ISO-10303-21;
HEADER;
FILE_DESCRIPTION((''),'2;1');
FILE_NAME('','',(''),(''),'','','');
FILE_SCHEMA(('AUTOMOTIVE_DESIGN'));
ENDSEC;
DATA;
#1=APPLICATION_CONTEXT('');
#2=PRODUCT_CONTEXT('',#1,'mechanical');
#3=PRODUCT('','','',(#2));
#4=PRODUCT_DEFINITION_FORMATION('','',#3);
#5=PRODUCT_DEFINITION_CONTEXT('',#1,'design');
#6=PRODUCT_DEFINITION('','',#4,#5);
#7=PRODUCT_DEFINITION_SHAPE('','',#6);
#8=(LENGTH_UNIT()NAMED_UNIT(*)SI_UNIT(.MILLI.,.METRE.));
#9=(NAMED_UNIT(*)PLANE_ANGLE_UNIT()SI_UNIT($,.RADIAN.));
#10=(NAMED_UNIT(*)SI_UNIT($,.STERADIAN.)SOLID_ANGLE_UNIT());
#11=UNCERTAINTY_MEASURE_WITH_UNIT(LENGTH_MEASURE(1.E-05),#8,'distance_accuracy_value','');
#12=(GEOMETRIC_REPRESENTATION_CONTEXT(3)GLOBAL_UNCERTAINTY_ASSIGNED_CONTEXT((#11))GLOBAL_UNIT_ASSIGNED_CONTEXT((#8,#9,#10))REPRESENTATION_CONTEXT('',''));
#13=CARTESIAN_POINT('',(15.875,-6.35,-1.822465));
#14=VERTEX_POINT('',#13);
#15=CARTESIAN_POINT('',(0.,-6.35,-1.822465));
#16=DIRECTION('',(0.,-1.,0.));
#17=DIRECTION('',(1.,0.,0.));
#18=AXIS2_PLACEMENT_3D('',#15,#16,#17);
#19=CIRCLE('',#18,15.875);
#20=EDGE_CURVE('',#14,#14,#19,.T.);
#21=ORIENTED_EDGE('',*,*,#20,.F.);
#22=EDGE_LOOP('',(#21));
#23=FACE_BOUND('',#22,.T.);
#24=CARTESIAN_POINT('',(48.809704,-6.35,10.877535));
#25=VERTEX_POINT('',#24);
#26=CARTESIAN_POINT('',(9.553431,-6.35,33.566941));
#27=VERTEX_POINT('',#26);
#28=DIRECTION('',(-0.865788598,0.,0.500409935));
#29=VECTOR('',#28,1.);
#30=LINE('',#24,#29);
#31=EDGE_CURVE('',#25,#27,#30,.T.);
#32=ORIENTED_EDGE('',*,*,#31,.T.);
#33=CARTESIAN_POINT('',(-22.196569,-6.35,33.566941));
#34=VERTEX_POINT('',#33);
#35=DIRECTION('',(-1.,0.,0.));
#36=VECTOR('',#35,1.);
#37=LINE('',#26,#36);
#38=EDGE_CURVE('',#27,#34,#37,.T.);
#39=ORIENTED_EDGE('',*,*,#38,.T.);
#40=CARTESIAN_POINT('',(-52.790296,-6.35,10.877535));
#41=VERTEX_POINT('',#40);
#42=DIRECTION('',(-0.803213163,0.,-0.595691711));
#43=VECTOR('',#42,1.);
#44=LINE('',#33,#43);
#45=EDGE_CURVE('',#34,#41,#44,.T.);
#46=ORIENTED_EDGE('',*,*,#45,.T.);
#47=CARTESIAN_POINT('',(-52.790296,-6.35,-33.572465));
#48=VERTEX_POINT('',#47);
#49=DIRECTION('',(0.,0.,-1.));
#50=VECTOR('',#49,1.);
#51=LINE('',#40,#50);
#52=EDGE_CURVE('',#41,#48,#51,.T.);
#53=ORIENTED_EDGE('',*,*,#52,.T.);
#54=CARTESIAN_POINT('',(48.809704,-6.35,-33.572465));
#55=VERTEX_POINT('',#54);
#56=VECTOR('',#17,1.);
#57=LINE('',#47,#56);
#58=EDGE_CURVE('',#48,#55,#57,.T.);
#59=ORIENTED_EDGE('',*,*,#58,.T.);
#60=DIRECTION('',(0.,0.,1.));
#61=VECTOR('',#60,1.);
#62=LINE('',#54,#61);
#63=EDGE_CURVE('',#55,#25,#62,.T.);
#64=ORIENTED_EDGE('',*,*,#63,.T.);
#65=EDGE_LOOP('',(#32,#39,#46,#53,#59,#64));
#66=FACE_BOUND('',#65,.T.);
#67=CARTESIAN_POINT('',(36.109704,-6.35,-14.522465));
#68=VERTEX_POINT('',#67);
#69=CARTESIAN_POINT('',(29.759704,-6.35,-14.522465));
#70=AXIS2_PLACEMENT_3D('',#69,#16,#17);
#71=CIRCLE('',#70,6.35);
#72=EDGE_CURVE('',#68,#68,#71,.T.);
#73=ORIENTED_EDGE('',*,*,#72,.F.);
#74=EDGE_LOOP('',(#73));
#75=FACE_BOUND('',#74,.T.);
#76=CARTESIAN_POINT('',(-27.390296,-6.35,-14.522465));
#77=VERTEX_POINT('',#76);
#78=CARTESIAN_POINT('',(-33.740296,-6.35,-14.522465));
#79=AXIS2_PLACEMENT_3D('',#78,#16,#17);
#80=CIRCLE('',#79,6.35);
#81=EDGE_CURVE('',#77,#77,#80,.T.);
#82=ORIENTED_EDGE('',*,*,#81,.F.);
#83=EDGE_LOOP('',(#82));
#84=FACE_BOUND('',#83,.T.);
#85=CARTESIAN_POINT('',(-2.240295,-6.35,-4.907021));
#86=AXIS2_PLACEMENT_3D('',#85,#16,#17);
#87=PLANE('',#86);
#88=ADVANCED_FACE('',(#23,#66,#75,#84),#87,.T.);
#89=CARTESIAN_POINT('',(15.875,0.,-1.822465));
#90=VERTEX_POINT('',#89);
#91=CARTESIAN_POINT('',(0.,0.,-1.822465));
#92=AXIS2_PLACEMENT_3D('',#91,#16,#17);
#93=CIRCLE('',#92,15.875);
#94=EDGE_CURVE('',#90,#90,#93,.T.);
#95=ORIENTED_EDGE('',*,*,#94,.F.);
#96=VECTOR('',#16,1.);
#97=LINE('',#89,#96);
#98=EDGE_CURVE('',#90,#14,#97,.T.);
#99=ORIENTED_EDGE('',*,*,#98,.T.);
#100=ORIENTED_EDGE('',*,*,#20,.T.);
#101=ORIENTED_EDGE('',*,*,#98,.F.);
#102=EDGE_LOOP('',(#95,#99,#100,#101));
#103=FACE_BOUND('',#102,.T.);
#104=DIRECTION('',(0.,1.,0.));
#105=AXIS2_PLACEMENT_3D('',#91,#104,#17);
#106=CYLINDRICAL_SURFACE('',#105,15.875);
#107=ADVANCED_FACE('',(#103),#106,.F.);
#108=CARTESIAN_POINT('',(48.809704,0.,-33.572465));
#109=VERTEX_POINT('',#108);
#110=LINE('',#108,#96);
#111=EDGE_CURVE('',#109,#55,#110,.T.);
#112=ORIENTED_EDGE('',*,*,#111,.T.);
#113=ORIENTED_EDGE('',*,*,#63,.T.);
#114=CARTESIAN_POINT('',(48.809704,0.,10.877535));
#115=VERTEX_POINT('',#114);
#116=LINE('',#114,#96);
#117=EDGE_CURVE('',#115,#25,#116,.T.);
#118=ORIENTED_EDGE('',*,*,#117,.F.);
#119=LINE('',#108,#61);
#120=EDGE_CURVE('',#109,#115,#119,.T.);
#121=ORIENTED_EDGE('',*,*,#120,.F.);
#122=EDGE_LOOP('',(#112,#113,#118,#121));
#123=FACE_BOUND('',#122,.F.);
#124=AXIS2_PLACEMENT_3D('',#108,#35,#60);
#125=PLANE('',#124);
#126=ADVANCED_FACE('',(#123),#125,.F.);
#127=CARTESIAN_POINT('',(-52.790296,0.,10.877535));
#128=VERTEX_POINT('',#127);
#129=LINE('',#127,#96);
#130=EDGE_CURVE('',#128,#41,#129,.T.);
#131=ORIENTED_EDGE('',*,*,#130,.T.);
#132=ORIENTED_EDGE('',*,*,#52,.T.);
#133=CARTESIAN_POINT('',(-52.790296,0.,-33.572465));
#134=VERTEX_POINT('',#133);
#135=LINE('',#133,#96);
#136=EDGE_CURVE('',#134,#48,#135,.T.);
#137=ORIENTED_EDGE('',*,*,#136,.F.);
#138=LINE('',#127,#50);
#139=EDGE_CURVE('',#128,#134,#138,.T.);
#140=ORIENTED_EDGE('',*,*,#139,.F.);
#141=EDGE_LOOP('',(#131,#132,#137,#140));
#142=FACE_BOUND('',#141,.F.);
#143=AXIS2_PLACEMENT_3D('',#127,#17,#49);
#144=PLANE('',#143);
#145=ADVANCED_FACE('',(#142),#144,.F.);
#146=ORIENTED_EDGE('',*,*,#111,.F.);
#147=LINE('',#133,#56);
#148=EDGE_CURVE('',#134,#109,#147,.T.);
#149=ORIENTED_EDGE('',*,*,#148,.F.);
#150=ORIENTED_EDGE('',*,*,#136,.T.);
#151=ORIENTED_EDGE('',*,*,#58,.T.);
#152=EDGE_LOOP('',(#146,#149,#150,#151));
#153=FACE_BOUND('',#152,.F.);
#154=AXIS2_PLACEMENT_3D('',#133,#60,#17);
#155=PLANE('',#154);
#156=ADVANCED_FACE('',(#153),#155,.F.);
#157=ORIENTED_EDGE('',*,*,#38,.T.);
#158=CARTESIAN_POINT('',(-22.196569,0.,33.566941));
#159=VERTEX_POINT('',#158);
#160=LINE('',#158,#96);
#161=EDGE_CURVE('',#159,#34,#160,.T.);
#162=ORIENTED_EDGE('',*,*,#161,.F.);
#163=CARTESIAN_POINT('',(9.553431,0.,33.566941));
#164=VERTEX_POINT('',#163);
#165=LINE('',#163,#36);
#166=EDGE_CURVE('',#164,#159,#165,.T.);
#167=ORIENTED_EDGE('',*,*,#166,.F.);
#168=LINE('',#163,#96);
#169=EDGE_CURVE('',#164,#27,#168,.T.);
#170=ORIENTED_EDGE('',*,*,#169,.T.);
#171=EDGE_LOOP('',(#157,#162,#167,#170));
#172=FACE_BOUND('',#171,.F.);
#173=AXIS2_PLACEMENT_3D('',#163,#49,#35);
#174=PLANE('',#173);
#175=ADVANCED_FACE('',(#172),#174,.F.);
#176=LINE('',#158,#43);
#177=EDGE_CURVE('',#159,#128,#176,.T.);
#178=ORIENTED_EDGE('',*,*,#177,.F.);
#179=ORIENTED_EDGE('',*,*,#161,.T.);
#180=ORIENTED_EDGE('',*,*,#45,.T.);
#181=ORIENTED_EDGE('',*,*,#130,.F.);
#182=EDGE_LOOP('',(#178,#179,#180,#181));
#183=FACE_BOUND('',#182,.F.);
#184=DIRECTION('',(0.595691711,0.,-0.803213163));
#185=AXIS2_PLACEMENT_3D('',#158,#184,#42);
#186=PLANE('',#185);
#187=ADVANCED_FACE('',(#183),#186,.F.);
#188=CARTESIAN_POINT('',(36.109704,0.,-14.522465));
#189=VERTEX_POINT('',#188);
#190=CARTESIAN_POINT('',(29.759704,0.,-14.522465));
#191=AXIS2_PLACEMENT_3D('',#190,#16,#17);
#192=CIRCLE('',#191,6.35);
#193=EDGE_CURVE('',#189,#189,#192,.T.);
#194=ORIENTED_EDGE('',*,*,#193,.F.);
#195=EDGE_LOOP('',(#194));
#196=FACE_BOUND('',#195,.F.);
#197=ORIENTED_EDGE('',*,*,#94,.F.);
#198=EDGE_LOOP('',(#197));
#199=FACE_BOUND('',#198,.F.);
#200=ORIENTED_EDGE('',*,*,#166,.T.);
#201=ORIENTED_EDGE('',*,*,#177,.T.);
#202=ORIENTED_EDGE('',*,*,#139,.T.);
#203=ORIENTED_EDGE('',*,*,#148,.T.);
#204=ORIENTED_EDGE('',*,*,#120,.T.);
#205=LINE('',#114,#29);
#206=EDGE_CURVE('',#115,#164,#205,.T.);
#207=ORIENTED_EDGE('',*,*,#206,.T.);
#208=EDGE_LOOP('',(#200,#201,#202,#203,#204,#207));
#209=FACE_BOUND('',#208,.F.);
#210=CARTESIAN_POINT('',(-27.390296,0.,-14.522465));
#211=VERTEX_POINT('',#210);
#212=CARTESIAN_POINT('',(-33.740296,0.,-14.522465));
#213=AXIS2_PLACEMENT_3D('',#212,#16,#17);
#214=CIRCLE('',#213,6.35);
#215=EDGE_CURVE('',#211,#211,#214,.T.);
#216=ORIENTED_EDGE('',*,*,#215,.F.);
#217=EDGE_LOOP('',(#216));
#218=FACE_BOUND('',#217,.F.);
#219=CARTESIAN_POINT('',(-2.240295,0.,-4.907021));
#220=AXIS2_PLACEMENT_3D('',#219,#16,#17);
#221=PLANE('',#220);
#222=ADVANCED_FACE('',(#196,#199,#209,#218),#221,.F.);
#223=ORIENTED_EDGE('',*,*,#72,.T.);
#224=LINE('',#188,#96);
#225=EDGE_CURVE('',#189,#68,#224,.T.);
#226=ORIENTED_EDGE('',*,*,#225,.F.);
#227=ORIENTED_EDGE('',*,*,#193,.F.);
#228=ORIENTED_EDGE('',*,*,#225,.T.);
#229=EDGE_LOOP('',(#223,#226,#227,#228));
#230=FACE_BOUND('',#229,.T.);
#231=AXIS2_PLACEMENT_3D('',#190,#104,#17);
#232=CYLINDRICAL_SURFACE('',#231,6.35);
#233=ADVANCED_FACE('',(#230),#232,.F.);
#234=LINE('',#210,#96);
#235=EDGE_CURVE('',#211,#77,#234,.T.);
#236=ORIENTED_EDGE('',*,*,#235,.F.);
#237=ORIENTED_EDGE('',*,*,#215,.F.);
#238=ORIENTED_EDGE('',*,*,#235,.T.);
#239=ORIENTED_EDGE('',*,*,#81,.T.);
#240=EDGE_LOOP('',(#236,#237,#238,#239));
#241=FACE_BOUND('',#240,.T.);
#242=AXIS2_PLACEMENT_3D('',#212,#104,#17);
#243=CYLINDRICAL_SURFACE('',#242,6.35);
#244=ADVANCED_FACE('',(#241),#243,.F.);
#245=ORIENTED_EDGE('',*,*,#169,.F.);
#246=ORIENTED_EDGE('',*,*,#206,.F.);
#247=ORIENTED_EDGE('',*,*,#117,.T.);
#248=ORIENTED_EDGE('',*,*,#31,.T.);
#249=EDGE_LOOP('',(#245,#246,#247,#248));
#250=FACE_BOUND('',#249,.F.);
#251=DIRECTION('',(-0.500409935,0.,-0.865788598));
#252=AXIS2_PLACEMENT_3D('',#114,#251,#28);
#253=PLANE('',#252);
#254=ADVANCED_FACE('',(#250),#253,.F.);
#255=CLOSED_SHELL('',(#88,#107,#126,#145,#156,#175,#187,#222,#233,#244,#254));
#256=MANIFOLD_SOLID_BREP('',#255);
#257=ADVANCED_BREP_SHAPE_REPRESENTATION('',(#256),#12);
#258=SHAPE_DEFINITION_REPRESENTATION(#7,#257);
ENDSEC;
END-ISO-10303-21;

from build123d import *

# Parameters (mm, degrees)
F0_R     = 6.35
F0_R_2   = 15.875
F1_DEPTH = 6.35


with BuildPart() as f1:
    # F0 (on Front) → F1 (new body)
    with BuildSketch(Plane.XZ):
        Polygon((-52.790296, 10.877535), (-52.790296, -33.572465), (48.809704, -33.572465), (48.809704, 10.877535), (9.553431, 33.566941), (-22.196569, 33.566941), align=None)
        with Locations((-33.740296, -14.522465)):
            Circle(F0_R, mode=Mode.SUBTRACT)
        with Locations((0, -1.822465)):
            Circle(F0_R_2, mode=Mode.SUBTRACT)
        with Locations((29.759704, -14.522465)):
            Circle(F0_R, mode=Mode.SUBTRACT)
    extrude(amount=F1_DEPTH)


solid = f1.part
